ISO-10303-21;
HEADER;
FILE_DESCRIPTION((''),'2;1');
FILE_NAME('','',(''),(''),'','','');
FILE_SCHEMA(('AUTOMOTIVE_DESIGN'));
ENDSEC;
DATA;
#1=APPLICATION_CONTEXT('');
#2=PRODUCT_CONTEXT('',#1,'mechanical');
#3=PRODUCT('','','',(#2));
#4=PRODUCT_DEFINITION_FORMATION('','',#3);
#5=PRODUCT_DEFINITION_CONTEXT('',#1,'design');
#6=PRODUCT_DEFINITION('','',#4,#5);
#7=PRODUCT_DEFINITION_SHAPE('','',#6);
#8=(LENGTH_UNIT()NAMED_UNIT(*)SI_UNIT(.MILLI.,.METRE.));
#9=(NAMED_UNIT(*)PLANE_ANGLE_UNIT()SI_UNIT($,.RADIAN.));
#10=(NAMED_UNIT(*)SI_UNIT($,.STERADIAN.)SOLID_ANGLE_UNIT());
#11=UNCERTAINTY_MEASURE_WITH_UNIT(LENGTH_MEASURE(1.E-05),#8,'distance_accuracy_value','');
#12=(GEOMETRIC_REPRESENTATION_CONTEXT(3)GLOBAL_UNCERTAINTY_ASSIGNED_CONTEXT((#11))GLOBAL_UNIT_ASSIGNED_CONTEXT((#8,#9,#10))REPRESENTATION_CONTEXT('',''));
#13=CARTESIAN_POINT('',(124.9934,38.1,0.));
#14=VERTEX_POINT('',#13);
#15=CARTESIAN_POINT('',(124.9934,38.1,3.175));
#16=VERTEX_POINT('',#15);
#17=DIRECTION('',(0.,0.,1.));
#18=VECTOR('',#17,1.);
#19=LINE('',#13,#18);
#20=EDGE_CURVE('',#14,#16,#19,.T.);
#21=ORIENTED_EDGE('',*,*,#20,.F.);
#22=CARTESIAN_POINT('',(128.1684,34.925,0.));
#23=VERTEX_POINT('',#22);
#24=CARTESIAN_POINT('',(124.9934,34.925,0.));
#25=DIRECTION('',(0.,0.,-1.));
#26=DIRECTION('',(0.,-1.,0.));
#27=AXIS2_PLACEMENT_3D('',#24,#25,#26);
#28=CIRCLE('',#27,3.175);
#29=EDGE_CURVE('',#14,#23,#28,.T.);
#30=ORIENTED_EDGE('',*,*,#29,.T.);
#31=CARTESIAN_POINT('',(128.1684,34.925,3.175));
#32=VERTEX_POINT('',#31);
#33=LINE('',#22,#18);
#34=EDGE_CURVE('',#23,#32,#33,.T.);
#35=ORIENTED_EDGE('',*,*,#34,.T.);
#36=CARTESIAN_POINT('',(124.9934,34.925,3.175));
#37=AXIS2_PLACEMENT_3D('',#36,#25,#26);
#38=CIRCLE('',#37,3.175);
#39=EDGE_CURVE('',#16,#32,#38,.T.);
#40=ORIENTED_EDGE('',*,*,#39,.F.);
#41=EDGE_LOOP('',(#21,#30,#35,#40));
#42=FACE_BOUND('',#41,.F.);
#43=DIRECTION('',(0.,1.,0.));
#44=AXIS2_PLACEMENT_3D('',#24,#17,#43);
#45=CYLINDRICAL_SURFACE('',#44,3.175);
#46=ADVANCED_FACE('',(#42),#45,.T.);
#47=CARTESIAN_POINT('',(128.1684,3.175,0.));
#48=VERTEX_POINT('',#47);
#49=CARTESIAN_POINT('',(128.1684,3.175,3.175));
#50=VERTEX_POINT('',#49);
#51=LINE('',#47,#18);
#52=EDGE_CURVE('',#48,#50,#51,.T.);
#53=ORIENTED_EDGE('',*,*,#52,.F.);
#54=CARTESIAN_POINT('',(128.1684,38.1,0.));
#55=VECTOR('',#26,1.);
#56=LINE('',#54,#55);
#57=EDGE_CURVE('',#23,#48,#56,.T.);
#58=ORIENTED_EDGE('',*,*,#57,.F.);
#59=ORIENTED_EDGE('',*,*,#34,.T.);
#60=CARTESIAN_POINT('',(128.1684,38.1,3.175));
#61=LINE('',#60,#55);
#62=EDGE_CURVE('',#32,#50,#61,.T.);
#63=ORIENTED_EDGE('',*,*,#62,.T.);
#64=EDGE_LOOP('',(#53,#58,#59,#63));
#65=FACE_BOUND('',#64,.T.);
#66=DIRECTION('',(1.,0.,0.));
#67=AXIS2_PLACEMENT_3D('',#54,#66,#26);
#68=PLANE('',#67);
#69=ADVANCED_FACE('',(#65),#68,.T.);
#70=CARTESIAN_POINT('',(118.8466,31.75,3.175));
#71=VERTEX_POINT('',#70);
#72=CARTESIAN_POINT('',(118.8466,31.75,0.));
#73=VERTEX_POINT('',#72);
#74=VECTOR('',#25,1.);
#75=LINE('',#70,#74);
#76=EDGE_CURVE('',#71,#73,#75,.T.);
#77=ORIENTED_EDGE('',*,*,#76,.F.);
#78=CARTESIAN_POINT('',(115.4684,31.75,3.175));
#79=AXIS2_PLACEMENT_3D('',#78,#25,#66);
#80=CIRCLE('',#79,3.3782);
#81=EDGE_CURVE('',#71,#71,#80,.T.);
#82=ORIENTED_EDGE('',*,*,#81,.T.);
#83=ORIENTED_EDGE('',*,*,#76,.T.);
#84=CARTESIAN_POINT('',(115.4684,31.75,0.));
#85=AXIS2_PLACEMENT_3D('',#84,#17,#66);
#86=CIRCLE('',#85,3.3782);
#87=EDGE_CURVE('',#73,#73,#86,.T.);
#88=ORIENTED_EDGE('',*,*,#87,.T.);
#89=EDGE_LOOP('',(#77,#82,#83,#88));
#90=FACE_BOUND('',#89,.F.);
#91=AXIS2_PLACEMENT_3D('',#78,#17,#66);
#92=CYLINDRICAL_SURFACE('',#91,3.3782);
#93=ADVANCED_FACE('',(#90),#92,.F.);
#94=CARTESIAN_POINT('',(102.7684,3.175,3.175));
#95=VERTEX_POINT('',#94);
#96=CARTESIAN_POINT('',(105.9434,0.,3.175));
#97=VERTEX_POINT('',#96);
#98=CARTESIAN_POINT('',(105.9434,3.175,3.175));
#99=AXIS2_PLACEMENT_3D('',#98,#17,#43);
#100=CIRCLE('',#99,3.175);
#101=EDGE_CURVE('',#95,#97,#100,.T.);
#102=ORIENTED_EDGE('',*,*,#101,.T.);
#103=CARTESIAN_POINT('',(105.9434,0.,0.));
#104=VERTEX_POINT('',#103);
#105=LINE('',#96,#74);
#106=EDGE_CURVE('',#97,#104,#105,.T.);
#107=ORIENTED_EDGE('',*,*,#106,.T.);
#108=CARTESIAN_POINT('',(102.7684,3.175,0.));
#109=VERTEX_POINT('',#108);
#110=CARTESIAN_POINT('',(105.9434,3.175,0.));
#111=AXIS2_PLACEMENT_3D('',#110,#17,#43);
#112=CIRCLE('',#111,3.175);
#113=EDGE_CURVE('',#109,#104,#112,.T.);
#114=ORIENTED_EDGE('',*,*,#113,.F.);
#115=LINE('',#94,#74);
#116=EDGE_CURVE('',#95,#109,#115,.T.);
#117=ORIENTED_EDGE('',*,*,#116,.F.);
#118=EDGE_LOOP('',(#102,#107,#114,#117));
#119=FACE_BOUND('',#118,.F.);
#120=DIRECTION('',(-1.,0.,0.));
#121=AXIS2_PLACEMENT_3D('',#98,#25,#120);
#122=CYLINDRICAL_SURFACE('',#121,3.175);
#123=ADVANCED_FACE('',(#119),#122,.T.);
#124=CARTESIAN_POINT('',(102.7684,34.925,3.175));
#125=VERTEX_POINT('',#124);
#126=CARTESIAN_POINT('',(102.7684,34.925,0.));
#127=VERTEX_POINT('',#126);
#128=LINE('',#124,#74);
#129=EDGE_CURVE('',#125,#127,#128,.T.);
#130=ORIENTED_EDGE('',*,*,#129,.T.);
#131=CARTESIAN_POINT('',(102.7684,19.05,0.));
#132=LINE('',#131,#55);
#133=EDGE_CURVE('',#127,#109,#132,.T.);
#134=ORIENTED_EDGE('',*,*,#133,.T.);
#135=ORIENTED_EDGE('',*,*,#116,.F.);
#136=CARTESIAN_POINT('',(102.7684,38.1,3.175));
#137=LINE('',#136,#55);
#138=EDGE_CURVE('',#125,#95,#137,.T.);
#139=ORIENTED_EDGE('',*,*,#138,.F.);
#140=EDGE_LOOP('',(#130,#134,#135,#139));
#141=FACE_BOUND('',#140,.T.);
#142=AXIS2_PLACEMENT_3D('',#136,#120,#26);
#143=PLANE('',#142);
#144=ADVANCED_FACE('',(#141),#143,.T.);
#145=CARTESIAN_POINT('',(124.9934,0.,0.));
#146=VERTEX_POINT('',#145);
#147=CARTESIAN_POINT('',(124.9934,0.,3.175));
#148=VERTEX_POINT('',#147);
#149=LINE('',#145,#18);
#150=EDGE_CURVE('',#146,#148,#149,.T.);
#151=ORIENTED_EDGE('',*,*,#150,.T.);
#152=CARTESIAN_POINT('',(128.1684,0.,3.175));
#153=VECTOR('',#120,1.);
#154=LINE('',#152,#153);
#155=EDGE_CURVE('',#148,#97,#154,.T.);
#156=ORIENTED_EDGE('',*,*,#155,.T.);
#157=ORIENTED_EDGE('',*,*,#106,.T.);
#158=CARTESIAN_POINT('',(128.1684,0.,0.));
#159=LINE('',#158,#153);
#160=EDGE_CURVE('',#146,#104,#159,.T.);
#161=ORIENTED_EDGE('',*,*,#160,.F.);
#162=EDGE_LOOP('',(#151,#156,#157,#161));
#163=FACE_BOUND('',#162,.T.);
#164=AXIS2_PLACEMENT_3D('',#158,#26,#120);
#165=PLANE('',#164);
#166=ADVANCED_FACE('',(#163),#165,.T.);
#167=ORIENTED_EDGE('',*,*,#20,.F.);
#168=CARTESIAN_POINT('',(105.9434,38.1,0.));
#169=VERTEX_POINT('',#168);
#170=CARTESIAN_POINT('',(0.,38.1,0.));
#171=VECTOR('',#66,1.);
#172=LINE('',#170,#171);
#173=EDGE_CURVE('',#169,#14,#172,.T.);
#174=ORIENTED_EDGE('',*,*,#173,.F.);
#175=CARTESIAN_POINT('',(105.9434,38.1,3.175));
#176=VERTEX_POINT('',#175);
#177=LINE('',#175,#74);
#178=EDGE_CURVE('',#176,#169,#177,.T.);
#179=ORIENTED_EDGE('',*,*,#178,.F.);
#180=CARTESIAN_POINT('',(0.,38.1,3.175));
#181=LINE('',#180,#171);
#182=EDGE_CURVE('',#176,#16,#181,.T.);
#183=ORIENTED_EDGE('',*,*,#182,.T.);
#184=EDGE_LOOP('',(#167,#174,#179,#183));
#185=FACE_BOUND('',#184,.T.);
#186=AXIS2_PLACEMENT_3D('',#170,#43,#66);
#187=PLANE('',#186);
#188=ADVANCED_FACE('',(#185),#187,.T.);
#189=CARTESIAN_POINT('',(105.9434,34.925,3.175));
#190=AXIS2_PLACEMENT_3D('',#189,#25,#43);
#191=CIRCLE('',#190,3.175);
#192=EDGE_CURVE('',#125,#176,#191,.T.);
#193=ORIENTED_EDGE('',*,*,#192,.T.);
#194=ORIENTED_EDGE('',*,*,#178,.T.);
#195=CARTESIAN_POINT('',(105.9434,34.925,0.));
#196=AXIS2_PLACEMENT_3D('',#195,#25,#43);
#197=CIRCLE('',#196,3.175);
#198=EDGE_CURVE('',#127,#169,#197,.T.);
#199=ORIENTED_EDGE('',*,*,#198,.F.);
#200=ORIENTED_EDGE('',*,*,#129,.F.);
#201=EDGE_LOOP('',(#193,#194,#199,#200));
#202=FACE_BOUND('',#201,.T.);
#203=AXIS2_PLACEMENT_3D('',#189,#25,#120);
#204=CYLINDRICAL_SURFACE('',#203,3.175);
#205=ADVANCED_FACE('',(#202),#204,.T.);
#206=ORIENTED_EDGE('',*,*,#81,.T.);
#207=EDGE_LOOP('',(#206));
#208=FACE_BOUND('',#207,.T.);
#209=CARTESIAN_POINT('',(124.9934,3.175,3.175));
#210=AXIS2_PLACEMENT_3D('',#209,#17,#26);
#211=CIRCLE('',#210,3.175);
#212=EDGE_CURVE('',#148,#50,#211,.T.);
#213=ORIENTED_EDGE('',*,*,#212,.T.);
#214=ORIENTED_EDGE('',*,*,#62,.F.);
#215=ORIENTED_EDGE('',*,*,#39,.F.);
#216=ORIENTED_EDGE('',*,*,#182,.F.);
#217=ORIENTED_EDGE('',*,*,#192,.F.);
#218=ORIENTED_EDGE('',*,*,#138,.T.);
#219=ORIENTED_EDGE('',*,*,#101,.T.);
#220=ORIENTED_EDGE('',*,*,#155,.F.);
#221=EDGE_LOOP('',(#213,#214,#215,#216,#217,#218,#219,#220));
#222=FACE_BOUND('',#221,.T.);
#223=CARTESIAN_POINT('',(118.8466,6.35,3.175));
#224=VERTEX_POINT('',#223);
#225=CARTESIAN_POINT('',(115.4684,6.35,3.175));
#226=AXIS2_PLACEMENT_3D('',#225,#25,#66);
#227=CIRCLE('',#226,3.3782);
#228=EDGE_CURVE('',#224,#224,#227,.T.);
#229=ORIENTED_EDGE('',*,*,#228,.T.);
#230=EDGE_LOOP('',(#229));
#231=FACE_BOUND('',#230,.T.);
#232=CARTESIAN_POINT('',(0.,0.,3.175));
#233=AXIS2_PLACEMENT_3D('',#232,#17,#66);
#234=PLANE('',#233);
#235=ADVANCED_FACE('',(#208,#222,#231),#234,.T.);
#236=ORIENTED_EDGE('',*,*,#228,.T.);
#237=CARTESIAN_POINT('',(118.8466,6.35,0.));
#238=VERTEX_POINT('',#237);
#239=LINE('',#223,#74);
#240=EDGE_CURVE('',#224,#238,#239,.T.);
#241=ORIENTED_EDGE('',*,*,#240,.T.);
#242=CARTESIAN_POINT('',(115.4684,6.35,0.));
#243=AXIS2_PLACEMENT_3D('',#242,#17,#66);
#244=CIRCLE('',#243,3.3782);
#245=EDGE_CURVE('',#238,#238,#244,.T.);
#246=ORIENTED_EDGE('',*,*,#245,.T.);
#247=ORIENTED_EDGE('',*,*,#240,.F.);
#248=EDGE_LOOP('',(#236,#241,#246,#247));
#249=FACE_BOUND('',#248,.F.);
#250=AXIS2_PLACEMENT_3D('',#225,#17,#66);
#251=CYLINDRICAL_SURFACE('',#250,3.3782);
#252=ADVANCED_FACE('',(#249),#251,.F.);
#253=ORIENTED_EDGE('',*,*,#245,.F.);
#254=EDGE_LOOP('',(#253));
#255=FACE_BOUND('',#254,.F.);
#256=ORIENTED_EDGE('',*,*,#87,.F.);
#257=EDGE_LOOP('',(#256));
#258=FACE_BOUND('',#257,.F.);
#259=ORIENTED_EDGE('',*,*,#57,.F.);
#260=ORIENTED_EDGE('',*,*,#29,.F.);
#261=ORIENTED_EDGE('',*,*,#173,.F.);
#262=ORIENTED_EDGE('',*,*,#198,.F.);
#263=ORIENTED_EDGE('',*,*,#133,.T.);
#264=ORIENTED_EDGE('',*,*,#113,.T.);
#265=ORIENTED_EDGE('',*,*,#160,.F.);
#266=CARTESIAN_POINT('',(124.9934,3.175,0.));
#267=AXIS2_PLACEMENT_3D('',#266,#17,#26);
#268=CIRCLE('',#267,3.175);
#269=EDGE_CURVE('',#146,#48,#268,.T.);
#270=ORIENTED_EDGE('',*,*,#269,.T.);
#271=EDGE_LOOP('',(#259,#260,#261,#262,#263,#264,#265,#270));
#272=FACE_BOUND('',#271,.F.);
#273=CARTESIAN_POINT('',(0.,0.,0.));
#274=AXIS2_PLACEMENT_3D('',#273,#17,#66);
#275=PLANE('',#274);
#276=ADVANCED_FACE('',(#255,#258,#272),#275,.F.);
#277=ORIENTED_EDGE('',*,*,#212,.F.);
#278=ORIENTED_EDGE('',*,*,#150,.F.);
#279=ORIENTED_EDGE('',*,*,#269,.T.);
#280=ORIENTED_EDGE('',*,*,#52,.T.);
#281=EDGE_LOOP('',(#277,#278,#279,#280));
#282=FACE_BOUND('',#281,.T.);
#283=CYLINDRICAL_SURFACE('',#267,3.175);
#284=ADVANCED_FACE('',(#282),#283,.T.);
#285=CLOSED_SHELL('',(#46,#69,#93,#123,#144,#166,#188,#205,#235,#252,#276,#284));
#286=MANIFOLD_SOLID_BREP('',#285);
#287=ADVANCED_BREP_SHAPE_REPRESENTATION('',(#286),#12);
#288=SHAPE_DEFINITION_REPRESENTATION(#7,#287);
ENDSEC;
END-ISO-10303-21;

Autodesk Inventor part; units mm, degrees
ref_plane "YZ Plane" through (0, 0, 0) normal (1, 0, 0) x (0, 1, 0)
ref_plane "XZ Plane" through (0, 0, 0) normal (0, 1, 0) x (-1, 0, 0)
ref_plane "XY Plane" through (0, 0, 0) normal (0, 0, 1) x (1, 0, 0)
sketch "Sketch1" plane through (0, 0, 0) normal (0, 0, 1) x (1, 0, 0)
  line L0 (0, 0) -> (0, 38.1)
  line L1 (0, 38.1) -> (128.1684, 38.1)
  line L2 (128.1684, 38.1) -> (128.1684, 0)
  line L3 (128.1684, 0) -> (0, 0)
  dimension "d0" = 38.1
  dimension "d1" = 128.1684
extrude "Extrusion1" add sketch "Sketch1" along normal blind 3.175
sketch "Sketch2" plane through (0, 0, 3.175) normal (0, 0, 1) x (1, 0, 0)
  line L0 (128.1684, 38.1) -> (0, 38.1) projected
  line L1 (0, 38.1) -> (12.7, 38.1)
  line L2 (12.7, 38.1) -> (12.7, 31.75)
  line L3 (12.7, 31.75) -> (12.7, 6.35)
  circle A0 centre (12.7, 31.75) radius 3.3782
  circle A1 centre (12.7, 6.35) radius 3.3782
  line L4 (128.1684, 38.1) -> (115.4684, 38.1)
  line L5 (115.4684, 38.1) -> (115.4684, 31.75)
  circle A2 centre (115.4684, 31.75) radius 3.3782
  circle A3 centre (115.4684, 6.35) radius 3.3782
  line L6 (115.4684, 6.35) -> (115.4684, 31.75)
  dimension "d4" = 12.7
  dimension "d5" = 6.35
  dimension "d6" = 25.4
  dimension "d7" = 6.7564
  dimension "d8" = 6.7564
  dimension "d9" = 12.7
  dimension "d10" = 6.35
  dimension "d11" = 6.7564
  dimension "d12" = 6.7564
  dimension "d13" = 25.4
extrude "Extrusion2" cut sketch "Sketch2" against normal blind 3.175
fillet "Fillet1" radius 3.175 4 edges at (128.1684, 38.1, 1.5875) (128.1684, 0, 1.5875) (0, 38.1, 1.5875) (0, 0, 1.5875)
sketch "Sketch3" plane through (0, 0, 3.175) normal (0, 0, 1) x (1, 0, 0)
  arc A0 (0, 3.175) -> (3.175, 0) centre (3.175, 3.175) ccw projected
  line L0 (3.175, 0) -> (124.9934, 0) projected
  line L1 (124.9934, 38.1) -> (3.175, 38.1) projected
  arc A1 (3.175, 38.1) -> (0, 34.925) centre (3.175, 34.925) ccw projected
  line L2 (0, 34.925) -> (0, 3.175) projected
  circle A2 centre (12.7, 31.75) radius 3.3782 projected
  circle A3 centre (12.7, 6.35) radius 3.3782 projected
  line L3 (128.1684, 38.1) -> (102.7684, 38.1)
  line L4 (102.7684, 38.1) -> (102.7684, 0)
  point P0 (0, 0)
  dimension "d17" = 25.4
extrude "Extrusion3" cut sketch "Sketch3" against normal blind 25.4
fillet "Fillet2" radius 3.175 2 edges at (102.7684, 38.1, 1.5875) (102.7684, 0, 1.5875)
properties part number "spacer plate" material "Aluminum 6061"
